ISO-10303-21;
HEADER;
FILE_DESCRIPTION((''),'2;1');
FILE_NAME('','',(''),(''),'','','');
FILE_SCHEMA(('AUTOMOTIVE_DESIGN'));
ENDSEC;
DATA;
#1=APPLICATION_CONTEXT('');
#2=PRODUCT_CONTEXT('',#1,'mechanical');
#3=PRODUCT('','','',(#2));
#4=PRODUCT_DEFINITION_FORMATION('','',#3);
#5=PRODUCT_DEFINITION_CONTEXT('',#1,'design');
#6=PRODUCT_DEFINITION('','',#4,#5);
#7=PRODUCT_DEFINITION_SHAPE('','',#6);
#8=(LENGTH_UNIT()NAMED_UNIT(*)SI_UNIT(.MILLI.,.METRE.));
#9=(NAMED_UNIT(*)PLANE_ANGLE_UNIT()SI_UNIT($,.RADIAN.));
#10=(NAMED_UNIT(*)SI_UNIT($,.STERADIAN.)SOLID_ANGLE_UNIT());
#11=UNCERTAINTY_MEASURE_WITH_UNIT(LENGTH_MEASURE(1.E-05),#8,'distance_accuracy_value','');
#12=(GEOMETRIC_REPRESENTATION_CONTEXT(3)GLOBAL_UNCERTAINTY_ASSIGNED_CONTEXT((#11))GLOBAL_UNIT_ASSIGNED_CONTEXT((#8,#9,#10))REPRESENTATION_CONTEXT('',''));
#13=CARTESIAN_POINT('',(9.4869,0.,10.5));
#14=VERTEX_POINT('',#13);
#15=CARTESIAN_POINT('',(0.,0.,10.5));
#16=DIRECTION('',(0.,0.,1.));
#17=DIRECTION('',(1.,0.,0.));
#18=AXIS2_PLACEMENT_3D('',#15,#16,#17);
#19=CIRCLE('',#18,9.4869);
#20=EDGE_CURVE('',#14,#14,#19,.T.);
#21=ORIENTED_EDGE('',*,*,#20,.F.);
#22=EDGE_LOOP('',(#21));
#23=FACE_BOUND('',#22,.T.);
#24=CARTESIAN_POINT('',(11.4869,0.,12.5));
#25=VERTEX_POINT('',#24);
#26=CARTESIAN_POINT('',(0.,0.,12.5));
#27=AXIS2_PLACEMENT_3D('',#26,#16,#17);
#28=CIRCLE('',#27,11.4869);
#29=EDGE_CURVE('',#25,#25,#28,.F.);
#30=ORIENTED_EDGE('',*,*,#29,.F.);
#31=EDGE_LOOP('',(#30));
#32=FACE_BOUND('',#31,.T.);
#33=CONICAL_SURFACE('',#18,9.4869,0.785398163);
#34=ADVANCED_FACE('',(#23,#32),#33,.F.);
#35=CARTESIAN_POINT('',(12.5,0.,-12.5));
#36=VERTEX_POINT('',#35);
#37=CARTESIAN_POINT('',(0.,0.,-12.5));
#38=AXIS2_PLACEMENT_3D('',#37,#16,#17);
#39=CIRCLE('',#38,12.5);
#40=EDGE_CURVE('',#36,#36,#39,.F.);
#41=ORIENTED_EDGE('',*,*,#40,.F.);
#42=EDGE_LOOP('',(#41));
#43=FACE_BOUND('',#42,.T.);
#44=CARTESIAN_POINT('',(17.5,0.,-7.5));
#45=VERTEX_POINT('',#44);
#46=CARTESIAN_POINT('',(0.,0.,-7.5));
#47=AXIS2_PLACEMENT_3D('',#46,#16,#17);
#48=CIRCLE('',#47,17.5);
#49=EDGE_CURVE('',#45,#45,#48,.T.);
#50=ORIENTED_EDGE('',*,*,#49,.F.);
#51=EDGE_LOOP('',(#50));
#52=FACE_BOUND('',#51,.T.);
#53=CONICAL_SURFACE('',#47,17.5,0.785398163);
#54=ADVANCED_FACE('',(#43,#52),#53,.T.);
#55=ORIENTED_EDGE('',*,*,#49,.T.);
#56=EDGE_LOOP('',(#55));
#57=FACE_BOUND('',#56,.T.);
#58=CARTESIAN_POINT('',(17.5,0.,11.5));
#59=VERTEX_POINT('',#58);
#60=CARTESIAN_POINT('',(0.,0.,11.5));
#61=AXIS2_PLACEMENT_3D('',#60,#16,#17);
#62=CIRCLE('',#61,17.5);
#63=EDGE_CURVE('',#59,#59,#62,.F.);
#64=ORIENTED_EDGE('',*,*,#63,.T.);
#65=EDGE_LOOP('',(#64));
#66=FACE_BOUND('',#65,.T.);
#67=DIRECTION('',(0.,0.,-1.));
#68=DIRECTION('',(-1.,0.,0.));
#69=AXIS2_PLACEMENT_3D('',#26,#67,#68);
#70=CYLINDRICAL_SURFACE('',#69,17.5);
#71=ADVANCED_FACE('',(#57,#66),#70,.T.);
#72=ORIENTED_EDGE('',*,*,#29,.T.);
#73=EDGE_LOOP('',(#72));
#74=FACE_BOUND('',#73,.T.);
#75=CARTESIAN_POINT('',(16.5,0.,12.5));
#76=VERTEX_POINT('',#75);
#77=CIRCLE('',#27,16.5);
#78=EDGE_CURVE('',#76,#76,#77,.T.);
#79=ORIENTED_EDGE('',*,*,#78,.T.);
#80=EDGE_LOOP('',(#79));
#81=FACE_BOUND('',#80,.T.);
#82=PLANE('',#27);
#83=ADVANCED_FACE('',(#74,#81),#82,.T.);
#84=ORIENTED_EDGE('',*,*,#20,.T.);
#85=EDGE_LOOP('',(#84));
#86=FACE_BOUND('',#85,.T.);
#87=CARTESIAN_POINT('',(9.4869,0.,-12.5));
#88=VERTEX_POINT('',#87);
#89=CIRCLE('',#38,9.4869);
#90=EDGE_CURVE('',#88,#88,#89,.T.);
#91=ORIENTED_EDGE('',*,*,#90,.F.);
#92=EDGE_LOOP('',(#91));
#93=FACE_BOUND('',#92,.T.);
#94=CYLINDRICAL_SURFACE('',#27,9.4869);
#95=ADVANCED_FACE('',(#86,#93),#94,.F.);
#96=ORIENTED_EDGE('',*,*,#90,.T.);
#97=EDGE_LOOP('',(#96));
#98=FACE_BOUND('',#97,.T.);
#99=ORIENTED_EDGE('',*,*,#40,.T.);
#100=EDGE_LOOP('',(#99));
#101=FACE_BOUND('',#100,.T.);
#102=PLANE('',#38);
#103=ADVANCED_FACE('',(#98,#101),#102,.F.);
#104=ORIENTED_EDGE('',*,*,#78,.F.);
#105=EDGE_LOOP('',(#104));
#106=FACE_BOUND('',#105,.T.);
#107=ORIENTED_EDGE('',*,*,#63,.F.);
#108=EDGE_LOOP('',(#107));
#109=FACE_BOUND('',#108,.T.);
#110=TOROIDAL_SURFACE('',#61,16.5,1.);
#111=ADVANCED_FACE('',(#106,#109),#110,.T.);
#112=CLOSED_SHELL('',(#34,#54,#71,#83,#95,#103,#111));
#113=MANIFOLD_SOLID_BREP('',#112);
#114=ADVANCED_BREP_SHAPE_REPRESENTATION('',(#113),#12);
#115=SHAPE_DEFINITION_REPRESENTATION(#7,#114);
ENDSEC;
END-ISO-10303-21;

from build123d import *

# Parameters (mm, degrees)
SKETCH1_R                        = 17.5
BOSS_EXTRUDE1_DEPTH              = 12.5
F_1_2_14_NPSM_TAPPED_HOLE1_D     = 18.9738
F_1_2_14_NPSM_TAPPED_HOLE1_DEPTH = 47.24908
F_1_2_14_NPSM_TAPPED_HOLE1_TIP   = 5.700304607
CHAMFER1_SIZE                    = 5
CHAMFER2_SIZE                    = 2
FILLET1_R                        = 1


with BuildPart() as part:
    # Sketch1 → Boss-Extrude1 (new body, symmetric)
    with BuildSketch(Plane.XY):
        Circle(SKETCH1_R)
    extrude(amount=BOSS_EXTRUDE1_DEPTH, both=True)

    # 1/2-14 NPSM Tapped Hole1
    with Locations(Plane.XY.offset(12.5)):
        with Locations((0, 0)):
            Hole(F_1_2_14_NPSM_TAPPED_HOLE1_D / 2, depth=F_1_2_14_NPSM_TAPPED_HOLE1_DEPTH)
            with Locations((0, 0, -(F_1_2_14_NPSM_TAPPED_HOLE1_DEPTH + F_1_2_14_NPSM_TAPPED_HOLE1_TIP / 2))):  # 118° drill point
                Cone(0, F_1_2_14_NPSM_TAPPED_HOLE1_D / 2, F_1_2_14_NPSM_TAPPED_HOLE1_TIP, mode=Mode.SUBTRACT)

    # Chamfer1
    chamfer1_edges = [part.edges().sort_by_distance(p)[0] for p in [
        (-17.5, 0, -12.5),
    ]]
    chamfer(chamfer1_edges, length=CHAMFER1_SIZE)

    # Chamfer2
    chamfer2_edges = [part.edges().sort_by_distance(p)[0] for p in [
        (9.4869, 0, 12.5),
    ]]
    chamfer(chamfer2_edges, length=CHAMFER2_SIZE)

    # Fillet1
    fillet1_edges = [part.edges().sort_by_distance(p)[0] for p in [
        (-17.5, 0, 12.5),
    ]]
    fillet(fillet1_edges, radius=FILLET1_R)


solid = part.part
